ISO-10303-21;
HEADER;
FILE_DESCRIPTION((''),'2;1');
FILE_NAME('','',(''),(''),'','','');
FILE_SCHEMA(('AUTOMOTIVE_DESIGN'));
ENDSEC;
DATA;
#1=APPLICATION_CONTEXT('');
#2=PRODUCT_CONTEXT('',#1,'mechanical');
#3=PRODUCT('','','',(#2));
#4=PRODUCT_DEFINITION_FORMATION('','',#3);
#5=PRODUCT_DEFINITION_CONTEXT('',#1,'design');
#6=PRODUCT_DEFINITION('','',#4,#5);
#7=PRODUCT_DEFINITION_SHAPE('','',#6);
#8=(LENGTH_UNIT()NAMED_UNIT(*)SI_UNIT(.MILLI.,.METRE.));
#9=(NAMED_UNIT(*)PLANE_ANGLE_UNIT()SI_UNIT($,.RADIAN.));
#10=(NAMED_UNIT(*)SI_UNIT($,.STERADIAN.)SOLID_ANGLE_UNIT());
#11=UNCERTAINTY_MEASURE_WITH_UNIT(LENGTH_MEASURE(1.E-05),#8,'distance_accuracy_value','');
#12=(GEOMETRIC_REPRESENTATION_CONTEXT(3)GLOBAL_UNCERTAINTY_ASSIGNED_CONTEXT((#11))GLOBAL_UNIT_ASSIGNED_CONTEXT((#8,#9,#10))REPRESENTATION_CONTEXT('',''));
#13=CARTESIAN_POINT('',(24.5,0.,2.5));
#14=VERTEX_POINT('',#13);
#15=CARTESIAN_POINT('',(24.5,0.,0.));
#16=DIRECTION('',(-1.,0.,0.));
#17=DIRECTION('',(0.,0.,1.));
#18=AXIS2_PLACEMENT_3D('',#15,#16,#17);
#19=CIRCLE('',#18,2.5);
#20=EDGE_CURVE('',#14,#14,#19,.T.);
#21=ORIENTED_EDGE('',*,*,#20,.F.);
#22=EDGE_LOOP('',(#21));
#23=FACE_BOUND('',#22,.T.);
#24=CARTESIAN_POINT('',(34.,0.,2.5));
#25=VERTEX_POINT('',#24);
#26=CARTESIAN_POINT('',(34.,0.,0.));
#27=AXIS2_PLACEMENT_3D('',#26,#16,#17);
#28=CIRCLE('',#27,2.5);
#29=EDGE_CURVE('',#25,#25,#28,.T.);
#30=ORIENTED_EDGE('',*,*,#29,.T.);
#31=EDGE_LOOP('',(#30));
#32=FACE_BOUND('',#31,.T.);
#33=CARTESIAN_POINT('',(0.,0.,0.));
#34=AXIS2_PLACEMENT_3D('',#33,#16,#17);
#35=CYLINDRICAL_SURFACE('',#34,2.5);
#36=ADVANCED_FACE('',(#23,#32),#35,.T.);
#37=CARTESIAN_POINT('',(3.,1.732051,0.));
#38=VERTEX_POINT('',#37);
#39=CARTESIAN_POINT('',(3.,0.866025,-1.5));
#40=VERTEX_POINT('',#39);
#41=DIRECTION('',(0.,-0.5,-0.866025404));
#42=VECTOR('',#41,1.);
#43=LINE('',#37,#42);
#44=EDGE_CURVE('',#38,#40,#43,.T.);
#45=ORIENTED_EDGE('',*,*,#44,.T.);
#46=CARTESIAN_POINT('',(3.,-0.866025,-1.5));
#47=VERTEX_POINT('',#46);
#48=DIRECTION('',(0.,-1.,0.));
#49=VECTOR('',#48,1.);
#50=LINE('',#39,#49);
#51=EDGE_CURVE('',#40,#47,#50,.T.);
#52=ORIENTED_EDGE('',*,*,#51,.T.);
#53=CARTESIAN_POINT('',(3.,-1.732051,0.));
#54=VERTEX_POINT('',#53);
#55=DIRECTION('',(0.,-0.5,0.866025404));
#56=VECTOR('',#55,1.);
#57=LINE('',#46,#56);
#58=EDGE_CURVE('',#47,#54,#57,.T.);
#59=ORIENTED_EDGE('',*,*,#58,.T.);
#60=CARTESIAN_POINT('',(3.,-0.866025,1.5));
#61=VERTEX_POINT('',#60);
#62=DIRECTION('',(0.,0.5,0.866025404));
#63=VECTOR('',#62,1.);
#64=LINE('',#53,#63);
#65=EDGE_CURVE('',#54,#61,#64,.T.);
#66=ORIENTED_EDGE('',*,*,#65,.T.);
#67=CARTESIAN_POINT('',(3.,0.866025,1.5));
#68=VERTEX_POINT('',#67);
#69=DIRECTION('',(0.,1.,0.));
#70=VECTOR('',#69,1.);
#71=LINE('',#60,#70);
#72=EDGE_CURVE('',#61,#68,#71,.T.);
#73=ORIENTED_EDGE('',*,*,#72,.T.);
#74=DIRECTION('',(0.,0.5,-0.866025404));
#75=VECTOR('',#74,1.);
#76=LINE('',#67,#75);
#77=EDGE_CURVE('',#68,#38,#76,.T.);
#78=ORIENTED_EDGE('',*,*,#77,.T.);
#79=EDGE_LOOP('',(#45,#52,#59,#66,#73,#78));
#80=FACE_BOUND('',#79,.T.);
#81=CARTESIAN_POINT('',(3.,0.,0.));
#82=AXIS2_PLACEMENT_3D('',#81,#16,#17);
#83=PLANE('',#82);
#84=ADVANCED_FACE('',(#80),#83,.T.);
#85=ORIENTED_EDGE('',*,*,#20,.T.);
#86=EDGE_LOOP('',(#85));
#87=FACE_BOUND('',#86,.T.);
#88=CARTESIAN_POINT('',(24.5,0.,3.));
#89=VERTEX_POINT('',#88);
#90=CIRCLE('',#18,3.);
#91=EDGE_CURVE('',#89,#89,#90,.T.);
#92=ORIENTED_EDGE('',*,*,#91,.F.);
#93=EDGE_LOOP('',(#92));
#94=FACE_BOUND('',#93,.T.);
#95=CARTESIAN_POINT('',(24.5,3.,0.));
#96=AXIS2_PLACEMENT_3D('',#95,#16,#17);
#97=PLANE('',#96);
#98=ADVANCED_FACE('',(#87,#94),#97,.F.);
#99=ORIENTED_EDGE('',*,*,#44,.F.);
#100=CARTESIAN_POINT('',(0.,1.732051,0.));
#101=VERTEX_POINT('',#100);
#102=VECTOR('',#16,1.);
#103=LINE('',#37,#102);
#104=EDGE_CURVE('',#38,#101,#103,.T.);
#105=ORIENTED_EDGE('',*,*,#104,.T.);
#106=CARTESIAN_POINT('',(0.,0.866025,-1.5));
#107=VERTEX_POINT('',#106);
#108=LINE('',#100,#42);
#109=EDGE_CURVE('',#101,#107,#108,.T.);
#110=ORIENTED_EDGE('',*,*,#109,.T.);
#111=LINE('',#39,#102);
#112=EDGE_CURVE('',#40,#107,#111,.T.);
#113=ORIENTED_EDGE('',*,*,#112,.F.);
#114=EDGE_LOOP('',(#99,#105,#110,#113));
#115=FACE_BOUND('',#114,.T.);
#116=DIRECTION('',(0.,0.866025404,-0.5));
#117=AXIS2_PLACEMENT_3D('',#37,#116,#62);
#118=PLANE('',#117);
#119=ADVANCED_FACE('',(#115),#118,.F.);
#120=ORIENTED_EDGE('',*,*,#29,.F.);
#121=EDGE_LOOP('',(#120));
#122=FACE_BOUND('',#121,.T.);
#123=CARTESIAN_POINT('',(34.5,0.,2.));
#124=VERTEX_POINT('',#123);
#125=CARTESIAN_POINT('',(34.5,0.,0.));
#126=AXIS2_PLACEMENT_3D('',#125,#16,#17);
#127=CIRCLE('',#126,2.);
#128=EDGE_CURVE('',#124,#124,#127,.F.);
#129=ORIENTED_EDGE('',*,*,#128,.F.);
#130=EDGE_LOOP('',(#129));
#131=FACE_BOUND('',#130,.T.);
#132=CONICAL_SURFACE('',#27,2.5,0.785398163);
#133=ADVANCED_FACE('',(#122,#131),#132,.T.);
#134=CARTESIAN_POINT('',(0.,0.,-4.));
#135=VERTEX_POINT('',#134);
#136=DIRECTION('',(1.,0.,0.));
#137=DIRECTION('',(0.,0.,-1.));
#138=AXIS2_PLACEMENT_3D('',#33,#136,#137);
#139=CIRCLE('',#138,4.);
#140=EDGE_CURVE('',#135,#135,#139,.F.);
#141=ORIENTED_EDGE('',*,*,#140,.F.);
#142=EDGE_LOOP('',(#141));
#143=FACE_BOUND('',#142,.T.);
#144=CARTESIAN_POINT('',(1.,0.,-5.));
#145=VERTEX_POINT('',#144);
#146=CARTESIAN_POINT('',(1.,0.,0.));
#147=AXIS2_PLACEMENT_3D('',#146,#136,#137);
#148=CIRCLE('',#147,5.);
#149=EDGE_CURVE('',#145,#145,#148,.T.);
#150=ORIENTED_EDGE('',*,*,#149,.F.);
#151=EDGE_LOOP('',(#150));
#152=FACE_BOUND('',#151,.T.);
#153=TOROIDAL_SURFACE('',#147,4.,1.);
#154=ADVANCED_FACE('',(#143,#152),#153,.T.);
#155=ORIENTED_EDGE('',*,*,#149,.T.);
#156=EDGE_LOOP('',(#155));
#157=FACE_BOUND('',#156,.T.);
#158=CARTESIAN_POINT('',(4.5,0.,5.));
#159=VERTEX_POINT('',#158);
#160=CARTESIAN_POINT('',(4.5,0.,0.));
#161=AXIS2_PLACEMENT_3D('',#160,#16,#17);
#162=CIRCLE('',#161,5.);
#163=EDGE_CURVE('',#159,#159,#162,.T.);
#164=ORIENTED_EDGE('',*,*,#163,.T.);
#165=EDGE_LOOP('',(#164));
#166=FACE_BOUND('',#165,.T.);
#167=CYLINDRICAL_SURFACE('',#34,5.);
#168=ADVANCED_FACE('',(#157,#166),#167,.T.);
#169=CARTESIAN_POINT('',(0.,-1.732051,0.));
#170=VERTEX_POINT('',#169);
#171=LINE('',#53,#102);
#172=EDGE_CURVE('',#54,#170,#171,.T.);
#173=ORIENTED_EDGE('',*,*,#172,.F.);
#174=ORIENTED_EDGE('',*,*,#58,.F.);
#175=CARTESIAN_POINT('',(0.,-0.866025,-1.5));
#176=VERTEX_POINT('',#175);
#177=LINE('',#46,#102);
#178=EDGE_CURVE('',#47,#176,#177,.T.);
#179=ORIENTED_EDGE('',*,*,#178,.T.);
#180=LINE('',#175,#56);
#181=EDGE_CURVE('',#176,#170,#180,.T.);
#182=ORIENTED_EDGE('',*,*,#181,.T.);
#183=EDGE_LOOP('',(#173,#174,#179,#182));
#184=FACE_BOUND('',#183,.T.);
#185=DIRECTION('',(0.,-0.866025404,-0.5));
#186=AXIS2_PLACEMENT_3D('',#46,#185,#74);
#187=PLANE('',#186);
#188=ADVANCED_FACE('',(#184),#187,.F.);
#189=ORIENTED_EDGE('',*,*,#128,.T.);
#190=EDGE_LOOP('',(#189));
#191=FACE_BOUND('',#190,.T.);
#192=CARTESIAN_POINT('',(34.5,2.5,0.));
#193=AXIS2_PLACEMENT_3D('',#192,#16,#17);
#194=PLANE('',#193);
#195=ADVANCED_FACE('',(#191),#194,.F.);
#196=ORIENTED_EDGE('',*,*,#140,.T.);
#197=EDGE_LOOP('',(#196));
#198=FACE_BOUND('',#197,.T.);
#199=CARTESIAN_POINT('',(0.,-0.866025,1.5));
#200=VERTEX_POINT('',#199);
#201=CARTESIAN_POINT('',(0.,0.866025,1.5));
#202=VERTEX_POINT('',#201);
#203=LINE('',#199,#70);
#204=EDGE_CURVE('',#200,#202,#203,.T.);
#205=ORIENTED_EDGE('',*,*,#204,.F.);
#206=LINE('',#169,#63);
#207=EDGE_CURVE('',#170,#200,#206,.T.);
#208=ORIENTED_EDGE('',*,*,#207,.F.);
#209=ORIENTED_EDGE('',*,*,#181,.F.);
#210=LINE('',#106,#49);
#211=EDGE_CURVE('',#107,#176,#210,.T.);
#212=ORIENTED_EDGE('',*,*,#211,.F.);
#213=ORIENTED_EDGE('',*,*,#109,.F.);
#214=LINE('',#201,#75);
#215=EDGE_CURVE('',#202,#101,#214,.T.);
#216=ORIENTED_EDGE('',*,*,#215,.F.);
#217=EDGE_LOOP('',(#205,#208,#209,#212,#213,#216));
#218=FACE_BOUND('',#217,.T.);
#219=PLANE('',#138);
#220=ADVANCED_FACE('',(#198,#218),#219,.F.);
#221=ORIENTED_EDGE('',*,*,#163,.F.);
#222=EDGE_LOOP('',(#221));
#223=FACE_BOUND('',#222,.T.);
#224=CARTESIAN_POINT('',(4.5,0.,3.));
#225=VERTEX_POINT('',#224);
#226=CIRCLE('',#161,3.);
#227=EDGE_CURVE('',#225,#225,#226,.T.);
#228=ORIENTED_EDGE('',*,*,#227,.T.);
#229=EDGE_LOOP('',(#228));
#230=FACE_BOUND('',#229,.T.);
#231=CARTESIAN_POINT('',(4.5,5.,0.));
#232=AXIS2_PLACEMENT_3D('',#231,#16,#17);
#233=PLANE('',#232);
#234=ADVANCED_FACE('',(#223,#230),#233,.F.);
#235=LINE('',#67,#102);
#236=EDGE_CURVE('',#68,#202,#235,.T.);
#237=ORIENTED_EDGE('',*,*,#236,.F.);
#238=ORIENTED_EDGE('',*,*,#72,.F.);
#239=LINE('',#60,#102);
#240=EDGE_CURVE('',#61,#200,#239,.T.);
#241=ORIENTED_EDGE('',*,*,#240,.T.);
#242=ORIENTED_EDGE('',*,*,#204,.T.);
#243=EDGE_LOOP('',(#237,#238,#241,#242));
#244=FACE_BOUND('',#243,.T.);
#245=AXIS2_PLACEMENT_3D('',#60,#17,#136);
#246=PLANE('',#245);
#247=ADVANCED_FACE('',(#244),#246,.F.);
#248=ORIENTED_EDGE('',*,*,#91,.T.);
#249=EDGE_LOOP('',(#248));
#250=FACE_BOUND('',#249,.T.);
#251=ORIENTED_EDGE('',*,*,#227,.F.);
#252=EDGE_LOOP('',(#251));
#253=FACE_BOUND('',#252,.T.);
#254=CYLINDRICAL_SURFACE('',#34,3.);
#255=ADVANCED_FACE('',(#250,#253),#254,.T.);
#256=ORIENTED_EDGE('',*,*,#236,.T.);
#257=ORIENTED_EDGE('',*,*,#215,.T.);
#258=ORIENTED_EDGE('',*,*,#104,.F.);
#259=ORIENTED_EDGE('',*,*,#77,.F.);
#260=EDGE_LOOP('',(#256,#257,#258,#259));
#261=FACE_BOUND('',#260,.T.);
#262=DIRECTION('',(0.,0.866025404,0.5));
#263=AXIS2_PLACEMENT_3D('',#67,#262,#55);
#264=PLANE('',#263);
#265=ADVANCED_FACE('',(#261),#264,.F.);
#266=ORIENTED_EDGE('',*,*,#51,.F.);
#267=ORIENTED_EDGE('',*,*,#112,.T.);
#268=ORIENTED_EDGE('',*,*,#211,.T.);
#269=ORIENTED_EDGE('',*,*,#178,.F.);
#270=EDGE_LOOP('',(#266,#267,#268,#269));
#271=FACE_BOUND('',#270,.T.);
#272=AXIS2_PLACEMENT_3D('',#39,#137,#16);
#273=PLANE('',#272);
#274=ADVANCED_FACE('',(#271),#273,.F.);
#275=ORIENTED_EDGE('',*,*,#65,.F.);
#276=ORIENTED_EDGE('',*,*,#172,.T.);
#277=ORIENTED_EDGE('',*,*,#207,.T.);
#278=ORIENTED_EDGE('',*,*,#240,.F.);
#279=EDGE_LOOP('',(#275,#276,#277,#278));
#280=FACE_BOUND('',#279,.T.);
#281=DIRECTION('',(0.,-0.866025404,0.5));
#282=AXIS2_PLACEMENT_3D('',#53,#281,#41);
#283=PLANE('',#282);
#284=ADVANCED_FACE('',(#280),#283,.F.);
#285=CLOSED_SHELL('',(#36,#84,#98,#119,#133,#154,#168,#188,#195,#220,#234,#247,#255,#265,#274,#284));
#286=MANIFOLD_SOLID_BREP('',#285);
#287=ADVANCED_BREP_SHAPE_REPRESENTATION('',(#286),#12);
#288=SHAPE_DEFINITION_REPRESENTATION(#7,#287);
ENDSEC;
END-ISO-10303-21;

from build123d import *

# Parameters (mm, degrees)
CUT_EXTRUDE_1_DEPTH = 3
FILLET_1_R          = 1
CHAMFER_1_SIZE      = 0.5


with BuildPart() as part:
    # 草图1 → 旋转1 (revolve)
    with BuildSketch(Plane.XY, mode=Mode.PRIVATE) as revolve_1_sk:
        Polygon((0, 0), (0, 5), (4.5, 5), (4.5, 3), (24.5, 3), (24.5, 2.5), (34.5, 2.5), (34.5, 0), align=None)
    revolve(revolve_1_sk.sketch.rotate(Axis((0, 0, 0), (1, 0, 0)), 90), axis=Axis((0, 0, 0), (1, 0, 0)))

    # 草图2 → 切除-拉伸1 (cut)
    with BuildSketch(Plane.ZY):
        Polygon((0, 1.732050808), (-1.5, 0.866025404), (-1.5, -0.866025404), (0, -1.732050808), (1.5, -0.866025404), (1.5, 0.866025404), align=None)
    extrude(amount=-CUT_EXTRUDE_1_DEPTH, mode=Mode.SUBTRACT)

    # 圆角1
    fillet_1_edges = [part.edges().sort_by_distance(p)[0] for p in [
        (0, 0, -5),
    ]]
    fillet(fillet_1_edges, radius=FILLET_1_R)

    # 倒角1
    chamfer_1_edges = [part.edges().sort_by_distance(p)[0] for p in [
        (34.5, 0, -2.5),
    ]]
    chamfer(chamfer_1_edges, length=CHAMFER_1_SIZE)


solid = part.part
